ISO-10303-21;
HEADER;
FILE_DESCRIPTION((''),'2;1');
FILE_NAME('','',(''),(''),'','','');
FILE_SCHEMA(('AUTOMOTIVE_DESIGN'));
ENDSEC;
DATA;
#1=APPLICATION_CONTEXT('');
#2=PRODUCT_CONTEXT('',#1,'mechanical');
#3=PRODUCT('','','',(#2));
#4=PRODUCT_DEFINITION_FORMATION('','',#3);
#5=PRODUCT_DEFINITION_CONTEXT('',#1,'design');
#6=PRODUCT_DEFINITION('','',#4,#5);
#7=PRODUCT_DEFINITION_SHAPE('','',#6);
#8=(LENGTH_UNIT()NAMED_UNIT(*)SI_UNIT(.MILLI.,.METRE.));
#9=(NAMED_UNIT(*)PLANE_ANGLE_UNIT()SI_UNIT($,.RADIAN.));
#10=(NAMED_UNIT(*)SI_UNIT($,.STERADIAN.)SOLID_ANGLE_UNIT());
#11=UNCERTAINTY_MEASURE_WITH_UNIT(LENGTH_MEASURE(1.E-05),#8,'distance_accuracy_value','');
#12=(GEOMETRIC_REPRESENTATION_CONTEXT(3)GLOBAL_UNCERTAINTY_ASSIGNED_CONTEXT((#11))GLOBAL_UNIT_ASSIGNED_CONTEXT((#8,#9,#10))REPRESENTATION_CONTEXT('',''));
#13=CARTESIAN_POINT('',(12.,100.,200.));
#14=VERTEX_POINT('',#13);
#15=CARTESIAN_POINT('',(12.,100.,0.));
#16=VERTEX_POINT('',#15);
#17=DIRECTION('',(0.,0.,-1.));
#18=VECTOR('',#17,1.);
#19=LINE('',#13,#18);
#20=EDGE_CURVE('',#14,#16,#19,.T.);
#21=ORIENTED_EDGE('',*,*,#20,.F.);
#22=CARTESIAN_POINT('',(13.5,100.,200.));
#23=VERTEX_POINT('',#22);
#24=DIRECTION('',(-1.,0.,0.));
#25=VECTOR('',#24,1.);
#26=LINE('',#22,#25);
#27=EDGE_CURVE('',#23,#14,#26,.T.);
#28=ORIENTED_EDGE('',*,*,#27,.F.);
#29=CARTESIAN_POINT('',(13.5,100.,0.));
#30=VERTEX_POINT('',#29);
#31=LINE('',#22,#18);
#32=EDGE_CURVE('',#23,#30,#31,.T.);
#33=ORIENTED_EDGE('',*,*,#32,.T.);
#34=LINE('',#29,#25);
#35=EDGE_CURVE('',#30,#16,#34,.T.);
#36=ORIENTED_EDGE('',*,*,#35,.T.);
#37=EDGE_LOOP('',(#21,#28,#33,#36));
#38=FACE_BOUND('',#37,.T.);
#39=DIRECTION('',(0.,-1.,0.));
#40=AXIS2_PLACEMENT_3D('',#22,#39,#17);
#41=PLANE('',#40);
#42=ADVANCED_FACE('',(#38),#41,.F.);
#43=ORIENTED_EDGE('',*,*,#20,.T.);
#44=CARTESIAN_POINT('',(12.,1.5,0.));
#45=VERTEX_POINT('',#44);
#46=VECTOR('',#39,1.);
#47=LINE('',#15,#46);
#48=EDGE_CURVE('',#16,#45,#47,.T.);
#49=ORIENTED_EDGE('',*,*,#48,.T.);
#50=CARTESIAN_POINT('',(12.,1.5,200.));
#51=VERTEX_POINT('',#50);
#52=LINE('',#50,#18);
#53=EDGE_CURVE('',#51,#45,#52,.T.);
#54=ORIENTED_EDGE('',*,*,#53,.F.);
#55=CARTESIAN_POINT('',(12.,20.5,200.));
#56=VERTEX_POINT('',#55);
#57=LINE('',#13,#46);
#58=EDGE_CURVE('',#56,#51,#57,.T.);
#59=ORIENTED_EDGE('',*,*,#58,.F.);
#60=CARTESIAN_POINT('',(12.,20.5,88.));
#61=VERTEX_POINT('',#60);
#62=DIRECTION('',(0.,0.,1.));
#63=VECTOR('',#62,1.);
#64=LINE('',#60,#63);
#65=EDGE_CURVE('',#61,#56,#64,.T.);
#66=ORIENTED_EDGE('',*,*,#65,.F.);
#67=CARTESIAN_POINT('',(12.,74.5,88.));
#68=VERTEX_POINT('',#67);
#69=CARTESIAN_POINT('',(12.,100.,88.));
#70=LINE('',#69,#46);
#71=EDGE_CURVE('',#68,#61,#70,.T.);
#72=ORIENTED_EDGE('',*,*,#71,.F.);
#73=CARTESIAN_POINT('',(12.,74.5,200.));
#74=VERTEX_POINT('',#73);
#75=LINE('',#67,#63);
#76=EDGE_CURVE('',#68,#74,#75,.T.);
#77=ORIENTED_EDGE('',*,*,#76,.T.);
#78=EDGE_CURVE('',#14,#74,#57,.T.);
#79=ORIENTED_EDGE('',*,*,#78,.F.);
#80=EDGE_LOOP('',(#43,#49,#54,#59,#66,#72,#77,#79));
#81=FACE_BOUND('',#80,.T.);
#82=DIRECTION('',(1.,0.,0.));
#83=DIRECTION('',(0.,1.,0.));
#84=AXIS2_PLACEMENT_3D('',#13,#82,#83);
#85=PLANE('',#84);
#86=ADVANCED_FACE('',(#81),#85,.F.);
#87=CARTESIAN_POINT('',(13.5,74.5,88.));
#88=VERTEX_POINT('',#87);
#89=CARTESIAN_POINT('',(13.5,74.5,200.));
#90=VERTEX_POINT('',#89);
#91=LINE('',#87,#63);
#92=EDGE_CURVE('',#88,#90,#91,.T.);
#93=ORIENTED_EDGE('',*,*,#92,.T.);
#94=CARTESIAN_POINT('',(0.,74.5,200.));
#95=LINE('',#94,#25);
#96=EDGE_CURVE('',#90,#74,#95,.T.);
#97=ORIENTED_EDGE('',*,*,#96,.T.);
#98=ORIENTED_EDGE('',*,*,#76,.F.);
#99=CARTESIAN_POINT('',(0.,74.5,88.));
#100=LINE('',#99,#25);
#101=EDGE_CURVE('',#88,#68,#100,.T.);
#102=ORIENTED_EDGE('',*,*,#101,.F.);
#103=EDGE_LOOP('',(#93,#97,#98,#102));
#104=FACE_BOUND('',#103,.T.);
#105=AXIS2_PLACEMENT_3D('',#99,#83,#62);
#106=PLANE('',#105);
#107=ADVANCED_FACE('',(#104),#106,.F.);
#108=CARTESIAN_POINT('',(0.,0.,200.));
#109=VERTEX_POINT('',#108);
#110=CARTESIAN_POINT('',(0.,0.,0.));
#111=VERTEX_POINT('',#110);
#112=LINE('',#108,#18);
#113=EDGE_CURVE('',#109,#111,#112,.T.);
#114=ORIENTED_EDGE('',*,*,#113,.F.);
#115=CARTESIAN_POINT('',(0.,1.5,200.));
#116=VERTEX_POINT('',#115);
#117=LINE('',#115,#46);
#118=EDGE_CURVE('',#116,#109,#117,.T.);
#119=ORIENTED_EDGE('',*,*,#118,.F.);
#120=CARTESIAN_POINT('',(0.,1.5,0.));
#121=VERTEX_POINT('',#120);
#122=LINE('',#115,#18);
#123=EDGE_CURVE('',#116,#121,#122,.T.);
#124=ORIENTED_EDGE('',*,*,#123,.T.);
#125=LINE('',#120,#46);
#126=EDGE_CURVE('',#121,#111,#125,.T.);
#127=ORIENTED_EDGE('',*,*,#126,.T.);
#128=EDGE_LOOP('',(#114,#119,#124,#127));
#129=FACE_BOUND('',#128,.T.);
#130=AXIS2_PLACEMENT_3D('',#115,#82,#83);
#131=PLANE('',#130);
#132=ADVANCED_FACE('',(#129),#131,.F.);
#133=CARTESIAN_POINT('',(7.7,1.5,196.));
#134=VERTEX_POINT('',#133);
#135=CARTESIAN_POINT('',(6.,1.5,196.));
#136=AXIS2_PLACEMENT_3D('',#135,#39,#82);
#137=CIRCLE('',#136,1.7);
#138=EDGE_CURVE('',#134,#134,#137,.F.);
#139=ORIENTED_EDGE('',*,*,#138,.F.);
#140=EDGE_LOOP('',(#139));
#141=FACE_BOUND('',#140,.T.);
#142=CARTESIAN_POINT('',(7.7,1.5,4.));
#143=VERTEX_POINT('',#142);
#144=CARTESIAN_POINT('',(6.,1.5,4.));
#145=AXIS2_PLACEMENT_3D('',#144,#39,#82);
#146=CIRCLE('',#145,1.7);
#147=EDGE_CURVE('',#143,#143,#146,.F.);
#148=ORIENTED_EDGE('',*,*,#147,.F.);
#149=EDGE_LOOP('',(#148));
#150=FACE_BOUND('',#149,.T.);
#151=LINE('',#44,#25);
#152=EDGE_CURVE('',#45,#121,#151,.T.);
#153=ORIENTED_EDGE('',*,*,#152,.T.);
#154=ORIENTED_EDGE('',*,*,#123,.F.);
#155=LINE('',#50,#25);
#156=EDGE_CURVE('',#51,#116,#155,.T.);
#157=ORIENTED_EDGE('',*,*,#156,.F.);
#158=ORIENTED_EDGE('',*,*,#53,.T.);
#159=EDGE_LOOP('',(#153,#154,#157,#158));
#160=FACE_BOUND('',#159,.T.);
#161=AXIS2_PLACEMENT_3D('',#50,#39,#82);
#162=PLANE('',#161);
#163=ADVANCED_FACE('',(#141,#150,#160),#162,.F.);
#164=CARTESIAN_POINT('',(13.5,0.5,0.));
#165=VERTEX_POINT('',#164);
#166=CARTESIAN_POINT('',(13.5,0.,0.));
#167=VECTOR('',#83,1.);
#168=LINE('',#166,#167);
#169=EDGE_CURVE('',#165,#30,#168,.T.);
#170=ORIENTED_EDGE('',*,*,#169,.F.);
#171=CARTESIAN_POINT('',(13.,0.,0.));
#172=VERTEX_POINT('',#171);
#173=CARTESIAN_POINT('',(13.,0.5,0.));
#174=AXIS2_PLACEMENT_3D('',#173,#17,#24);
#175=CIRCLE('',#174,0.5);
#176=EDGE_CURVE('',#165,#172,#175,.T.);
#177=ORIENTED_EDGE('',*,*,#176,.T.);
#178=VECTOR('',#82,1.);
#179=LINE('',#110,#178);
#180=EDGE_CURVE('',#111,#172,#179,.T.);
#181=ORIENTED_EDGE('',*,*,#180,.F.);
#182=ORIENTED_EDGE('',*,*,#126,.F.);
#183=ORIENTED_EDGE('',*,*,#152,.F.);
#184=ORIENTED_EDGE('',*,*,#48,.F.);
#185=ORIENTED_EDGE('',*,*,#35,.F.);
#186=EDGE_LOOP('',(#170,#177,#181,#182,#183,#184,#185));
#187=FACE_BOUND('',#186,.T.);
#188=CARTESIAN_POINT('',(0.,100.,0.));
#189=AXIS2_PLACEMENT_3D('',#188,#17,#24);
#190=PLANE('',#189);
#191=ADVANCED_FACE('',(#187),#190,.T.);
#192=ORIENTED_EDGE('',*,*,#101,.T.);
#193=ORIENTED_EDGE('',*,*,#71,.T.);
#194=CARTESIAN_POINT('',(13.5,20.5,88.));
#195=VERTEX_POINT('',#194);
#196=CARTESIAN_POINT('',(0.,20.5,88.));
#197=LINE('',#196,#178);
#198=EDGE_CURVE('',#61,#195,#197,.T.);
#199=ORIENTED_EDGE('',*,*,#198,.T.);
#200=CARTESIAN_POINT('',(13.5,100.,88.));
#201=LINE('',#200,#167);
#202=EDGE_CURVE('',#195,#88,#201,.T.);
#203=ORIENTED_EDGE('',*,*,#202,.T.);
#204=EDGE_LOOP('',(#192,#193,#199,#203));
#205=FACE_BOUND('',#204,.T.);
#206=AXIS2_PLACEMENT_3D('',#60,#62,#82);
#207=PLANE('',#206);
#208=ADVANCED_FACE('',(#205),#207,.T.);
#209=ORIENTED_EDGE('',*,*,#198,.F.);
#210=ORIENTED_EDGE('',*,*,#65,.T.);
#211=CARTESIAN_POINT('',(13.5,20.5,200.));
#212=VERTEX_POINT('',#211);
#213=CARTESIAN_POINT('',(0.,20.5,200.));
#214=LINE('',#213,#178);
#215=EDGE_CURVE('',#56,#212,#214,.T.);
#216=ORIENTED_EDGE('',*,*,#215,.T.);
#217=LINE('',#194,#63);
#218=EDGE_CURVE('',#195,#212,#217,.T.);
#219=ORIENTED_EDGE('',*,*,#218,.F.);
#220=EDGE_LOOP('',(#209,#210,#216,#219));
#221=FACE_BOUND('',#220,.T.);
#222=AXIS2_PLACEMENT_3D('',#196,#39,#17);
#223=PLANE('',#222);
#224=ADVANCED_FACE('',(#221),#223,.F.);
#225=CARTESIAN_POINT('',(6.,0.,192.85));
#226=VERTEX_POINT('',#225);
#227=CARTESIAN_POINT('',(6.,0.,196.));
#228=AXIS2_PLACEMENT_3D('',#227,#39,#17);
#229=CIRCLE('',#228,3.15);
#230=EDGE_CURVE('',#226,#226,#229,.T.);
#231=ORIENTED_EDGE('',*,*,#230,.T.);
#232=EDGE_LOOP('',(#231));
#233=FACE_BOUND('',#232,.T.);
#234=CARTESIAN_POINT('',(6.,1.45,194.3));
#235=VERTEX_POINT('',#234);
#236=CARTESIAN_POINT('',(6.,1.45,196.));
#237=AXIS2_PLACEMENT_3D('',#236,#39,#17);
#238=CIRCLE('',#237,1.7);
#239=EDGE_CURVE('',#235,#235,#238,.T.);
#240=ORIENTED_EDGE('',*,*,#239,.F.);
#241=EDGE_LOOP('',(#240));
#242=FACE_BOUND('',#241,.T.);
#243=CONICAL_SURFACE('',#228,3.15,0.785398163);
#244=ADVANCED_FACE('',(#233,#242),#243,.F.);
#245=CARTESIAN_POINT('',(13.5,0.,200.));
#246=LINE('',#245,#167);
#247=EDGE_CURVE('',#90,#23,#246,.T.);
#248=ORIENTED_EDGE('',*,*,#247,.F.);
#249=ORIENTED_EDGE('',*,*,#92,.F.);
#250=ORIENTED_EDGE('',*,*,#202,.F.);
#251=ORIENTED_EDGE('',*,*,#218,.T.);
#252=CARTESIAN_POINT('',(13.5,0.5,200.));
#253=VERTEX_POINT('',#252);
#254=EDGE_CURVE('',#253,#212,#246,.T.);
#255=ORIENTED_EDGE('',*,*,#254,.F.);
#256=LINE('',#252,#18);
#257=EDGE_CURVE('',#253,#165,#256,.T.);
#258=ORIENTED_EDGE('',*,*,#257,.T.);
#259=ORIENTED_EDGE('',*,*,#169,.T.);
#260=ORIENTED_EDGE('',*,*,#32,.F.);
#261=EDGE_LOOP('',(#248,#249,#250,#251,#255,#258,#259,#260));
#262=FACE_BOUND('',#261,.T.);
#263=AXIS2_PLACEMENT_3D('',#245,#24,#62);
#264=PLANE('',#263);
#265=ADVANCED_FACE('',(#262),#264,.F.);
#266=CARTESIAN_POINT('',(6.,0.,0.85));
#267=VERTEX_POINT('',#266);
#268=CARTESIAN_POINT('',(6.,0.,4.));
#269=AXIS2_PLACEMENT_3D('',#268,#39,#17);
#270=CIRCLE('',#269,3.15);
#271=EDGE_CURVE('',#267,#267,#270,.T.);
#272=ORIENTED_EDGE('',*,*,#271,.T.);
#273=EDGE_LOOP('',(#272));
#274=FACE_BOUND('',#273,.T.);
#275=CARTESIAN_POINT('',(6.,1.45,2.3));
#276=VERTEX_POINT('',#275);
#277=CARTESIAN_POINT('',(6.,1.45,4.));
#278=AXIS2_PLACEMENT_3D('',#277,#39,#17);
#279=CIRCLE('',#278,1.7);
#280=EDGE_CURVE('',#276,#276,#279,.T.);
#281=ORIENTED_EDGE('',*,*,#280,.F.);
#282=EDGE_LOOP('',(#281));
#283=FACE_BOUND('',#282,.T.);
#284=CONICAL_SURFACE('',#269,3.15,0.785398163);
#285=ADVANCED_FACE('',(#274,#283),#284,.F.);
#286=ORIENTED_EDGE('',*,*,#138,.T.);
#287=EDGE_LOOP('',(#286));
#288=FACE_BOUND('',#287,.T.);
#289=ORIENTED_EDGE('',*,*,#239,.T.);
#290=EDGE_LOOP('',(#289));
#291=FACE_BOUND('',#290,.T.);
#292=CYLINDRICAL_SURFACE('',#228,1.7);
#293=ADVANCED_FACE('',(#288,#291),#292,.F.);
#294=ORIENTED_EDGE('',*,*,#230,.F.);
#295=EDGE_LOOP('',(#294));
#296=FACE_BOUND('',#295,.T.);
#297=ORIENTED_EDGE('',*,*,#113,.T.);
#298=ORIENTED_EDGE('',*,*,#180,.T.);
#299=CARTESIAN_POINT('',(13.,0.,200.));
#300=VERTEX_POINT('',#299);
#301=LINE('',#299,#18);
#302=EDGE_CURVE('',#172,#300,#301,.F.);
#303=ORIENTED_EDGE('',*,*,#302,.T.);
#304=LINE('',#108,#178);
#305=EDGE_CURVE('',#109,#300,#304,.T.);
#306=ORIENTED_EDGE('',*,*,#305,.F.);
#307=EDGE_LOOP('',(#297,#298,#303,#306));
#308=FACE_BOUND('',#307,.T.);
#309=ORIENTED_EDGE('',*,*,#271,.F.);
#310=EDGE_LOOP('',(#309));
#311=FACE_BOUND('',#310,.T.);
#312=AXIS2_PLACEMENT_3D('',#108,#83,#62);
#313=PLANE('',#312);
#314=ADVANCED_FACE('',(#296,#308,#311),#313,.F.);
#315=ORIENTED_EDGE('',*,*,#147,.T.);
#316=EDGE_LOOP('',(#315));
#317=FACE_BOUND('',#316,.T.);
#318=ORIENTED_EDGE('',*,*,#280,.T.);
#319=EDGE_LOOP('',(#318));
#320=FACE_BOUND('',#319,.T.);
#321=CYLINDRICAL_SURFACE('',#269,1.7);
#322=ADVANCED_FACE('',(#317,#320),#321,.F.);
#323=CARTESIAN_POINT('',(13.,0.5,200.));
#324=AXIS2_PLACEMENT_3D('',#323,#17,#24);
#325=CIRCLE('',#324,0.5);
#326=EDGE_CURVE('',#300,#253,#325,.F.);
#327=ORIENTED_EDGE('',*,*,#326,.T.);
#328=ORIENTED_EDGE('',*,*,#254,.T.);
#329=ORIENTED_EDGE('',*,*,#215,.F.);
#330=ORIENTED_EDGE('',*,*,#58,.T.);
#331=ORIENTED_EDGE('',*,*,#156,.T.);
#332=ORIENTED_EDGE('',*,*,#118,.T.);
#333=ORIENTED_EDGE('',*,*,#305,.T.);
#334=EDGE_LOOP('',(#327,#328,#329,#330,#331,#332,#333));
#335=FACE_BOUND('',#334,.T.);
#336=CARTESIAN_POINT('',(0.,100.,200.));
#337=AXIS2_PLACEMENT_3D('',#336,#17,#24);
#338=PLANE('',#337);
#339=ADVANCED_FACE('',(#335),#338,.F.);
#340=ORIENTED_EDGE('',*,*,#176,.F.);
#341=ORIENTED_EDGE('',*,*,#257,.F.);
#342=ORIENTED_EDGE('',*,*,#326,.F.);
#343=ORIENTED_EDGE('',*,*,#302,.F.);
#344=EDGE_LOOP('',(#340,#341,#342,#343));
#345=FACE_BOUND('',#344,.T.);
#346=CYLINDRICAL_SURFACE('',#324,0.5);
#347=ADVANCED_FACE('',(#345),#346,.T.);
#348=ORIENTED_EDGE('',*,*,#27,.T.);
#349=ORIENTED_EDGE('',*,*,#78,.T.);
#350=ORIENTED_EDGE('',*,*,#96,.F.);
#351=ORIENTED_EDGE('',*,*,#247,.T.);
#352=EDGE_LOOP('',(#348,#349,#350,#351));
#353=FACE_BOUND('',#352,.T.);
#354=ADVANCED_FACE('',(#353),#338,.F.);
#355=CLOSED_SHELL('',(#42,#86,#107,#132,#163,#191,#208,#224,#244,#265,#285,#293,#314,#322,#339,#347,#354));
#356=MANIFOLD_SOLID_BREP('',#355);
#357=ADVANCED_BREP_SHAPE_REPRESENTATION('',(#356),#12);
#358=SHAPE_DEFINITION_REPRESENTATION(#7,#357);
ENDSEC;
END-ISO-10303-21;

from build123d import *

# Parameters (mm, degrees)
EXTRUDE1_DEPTH                               = 200
FILLET1_R                                    = 0.5
CUT_EXTRUDE2_START                           = 200
SKETCH2_W                                    = 1.5
SKETCH2_H                                    = 54
CUT_EXTRUDE2_DEPTH                           = 112
CSK_FOR_M3_COUNTERSUNK_FLAT_HEAD_SCR_2_COUNT = 2
CSK_FOR_M3_COUNTERSUNK_FLAT_HEAD_SCR_2_PITCH = 192


with BuildPart() as part:
    # Sketch1 → Extrude1 (new body)
    with BuildSketch(Plane.XY):
        Polygon((0, 0), (13.5, 0), (13.5, 100), (12, 100), (12, 1.5), (0, 1.5), align=None)
    extrude(amount=EXTRUDE1_DEPTH)

    # Fillet1
    fillet1_edges = [part.edges().sort_by_distance(p)[0] for p in [
        (13.5, 0, 100),
    ]]
    fillet(fillet1_edges, radius=FILLET1_R)

    # Sketch2 → Cut-Extrude2 (cut)
    with BuildSketch(Plane.XY.offset(CUT_EXTRUDE2_START)):
        with Locations((12.75, 47.5)):
            Rectangle(SKETCH2_W, SKETCH2_H)
    extrude(amount=-CUT_EXTRUDE2_DEPTH, mode=Mode.SUBTRACT)

    # Sketch5 → CSK for M3 Countersunk Flat Head Screw1 (revolve, cut)
    with BuildSketch(Plane(origin=(6, 0, 196), x_dir=(0, 0, -1), z_dir=(1, 0, 0))):
        Polygon((0, 0), (0, 2.521463052), (1.7, 1.5), (1.7, 1.45), (3.15, 0), align=None)
    csk_for_m3_countersunk_flat_head_screw1 = revolve(axis=Axis((6, -6.35, 196), (0, 1, 0)), mode=Mode.SUBTRACT)

    # CSK for M3 Countersunk Flat Head Scr 2: CSK for M3 Countersunk Flat Head Screw1 ×2
    with Locations(*[(0, 0, -i * CSK_FOR_M3_COUNTERSUNK_FLAT_HEAD_SCR_2_PITCH) for i in range(1, CSK_FOR_M3_COUNTERSUNK_FLAT_HEAD_SCR_2_COUNT)]):
        add(csk_for_m3_countersunk_flat_head_screw1, mode=Mode.SUBTRACT)


solid = part.part
